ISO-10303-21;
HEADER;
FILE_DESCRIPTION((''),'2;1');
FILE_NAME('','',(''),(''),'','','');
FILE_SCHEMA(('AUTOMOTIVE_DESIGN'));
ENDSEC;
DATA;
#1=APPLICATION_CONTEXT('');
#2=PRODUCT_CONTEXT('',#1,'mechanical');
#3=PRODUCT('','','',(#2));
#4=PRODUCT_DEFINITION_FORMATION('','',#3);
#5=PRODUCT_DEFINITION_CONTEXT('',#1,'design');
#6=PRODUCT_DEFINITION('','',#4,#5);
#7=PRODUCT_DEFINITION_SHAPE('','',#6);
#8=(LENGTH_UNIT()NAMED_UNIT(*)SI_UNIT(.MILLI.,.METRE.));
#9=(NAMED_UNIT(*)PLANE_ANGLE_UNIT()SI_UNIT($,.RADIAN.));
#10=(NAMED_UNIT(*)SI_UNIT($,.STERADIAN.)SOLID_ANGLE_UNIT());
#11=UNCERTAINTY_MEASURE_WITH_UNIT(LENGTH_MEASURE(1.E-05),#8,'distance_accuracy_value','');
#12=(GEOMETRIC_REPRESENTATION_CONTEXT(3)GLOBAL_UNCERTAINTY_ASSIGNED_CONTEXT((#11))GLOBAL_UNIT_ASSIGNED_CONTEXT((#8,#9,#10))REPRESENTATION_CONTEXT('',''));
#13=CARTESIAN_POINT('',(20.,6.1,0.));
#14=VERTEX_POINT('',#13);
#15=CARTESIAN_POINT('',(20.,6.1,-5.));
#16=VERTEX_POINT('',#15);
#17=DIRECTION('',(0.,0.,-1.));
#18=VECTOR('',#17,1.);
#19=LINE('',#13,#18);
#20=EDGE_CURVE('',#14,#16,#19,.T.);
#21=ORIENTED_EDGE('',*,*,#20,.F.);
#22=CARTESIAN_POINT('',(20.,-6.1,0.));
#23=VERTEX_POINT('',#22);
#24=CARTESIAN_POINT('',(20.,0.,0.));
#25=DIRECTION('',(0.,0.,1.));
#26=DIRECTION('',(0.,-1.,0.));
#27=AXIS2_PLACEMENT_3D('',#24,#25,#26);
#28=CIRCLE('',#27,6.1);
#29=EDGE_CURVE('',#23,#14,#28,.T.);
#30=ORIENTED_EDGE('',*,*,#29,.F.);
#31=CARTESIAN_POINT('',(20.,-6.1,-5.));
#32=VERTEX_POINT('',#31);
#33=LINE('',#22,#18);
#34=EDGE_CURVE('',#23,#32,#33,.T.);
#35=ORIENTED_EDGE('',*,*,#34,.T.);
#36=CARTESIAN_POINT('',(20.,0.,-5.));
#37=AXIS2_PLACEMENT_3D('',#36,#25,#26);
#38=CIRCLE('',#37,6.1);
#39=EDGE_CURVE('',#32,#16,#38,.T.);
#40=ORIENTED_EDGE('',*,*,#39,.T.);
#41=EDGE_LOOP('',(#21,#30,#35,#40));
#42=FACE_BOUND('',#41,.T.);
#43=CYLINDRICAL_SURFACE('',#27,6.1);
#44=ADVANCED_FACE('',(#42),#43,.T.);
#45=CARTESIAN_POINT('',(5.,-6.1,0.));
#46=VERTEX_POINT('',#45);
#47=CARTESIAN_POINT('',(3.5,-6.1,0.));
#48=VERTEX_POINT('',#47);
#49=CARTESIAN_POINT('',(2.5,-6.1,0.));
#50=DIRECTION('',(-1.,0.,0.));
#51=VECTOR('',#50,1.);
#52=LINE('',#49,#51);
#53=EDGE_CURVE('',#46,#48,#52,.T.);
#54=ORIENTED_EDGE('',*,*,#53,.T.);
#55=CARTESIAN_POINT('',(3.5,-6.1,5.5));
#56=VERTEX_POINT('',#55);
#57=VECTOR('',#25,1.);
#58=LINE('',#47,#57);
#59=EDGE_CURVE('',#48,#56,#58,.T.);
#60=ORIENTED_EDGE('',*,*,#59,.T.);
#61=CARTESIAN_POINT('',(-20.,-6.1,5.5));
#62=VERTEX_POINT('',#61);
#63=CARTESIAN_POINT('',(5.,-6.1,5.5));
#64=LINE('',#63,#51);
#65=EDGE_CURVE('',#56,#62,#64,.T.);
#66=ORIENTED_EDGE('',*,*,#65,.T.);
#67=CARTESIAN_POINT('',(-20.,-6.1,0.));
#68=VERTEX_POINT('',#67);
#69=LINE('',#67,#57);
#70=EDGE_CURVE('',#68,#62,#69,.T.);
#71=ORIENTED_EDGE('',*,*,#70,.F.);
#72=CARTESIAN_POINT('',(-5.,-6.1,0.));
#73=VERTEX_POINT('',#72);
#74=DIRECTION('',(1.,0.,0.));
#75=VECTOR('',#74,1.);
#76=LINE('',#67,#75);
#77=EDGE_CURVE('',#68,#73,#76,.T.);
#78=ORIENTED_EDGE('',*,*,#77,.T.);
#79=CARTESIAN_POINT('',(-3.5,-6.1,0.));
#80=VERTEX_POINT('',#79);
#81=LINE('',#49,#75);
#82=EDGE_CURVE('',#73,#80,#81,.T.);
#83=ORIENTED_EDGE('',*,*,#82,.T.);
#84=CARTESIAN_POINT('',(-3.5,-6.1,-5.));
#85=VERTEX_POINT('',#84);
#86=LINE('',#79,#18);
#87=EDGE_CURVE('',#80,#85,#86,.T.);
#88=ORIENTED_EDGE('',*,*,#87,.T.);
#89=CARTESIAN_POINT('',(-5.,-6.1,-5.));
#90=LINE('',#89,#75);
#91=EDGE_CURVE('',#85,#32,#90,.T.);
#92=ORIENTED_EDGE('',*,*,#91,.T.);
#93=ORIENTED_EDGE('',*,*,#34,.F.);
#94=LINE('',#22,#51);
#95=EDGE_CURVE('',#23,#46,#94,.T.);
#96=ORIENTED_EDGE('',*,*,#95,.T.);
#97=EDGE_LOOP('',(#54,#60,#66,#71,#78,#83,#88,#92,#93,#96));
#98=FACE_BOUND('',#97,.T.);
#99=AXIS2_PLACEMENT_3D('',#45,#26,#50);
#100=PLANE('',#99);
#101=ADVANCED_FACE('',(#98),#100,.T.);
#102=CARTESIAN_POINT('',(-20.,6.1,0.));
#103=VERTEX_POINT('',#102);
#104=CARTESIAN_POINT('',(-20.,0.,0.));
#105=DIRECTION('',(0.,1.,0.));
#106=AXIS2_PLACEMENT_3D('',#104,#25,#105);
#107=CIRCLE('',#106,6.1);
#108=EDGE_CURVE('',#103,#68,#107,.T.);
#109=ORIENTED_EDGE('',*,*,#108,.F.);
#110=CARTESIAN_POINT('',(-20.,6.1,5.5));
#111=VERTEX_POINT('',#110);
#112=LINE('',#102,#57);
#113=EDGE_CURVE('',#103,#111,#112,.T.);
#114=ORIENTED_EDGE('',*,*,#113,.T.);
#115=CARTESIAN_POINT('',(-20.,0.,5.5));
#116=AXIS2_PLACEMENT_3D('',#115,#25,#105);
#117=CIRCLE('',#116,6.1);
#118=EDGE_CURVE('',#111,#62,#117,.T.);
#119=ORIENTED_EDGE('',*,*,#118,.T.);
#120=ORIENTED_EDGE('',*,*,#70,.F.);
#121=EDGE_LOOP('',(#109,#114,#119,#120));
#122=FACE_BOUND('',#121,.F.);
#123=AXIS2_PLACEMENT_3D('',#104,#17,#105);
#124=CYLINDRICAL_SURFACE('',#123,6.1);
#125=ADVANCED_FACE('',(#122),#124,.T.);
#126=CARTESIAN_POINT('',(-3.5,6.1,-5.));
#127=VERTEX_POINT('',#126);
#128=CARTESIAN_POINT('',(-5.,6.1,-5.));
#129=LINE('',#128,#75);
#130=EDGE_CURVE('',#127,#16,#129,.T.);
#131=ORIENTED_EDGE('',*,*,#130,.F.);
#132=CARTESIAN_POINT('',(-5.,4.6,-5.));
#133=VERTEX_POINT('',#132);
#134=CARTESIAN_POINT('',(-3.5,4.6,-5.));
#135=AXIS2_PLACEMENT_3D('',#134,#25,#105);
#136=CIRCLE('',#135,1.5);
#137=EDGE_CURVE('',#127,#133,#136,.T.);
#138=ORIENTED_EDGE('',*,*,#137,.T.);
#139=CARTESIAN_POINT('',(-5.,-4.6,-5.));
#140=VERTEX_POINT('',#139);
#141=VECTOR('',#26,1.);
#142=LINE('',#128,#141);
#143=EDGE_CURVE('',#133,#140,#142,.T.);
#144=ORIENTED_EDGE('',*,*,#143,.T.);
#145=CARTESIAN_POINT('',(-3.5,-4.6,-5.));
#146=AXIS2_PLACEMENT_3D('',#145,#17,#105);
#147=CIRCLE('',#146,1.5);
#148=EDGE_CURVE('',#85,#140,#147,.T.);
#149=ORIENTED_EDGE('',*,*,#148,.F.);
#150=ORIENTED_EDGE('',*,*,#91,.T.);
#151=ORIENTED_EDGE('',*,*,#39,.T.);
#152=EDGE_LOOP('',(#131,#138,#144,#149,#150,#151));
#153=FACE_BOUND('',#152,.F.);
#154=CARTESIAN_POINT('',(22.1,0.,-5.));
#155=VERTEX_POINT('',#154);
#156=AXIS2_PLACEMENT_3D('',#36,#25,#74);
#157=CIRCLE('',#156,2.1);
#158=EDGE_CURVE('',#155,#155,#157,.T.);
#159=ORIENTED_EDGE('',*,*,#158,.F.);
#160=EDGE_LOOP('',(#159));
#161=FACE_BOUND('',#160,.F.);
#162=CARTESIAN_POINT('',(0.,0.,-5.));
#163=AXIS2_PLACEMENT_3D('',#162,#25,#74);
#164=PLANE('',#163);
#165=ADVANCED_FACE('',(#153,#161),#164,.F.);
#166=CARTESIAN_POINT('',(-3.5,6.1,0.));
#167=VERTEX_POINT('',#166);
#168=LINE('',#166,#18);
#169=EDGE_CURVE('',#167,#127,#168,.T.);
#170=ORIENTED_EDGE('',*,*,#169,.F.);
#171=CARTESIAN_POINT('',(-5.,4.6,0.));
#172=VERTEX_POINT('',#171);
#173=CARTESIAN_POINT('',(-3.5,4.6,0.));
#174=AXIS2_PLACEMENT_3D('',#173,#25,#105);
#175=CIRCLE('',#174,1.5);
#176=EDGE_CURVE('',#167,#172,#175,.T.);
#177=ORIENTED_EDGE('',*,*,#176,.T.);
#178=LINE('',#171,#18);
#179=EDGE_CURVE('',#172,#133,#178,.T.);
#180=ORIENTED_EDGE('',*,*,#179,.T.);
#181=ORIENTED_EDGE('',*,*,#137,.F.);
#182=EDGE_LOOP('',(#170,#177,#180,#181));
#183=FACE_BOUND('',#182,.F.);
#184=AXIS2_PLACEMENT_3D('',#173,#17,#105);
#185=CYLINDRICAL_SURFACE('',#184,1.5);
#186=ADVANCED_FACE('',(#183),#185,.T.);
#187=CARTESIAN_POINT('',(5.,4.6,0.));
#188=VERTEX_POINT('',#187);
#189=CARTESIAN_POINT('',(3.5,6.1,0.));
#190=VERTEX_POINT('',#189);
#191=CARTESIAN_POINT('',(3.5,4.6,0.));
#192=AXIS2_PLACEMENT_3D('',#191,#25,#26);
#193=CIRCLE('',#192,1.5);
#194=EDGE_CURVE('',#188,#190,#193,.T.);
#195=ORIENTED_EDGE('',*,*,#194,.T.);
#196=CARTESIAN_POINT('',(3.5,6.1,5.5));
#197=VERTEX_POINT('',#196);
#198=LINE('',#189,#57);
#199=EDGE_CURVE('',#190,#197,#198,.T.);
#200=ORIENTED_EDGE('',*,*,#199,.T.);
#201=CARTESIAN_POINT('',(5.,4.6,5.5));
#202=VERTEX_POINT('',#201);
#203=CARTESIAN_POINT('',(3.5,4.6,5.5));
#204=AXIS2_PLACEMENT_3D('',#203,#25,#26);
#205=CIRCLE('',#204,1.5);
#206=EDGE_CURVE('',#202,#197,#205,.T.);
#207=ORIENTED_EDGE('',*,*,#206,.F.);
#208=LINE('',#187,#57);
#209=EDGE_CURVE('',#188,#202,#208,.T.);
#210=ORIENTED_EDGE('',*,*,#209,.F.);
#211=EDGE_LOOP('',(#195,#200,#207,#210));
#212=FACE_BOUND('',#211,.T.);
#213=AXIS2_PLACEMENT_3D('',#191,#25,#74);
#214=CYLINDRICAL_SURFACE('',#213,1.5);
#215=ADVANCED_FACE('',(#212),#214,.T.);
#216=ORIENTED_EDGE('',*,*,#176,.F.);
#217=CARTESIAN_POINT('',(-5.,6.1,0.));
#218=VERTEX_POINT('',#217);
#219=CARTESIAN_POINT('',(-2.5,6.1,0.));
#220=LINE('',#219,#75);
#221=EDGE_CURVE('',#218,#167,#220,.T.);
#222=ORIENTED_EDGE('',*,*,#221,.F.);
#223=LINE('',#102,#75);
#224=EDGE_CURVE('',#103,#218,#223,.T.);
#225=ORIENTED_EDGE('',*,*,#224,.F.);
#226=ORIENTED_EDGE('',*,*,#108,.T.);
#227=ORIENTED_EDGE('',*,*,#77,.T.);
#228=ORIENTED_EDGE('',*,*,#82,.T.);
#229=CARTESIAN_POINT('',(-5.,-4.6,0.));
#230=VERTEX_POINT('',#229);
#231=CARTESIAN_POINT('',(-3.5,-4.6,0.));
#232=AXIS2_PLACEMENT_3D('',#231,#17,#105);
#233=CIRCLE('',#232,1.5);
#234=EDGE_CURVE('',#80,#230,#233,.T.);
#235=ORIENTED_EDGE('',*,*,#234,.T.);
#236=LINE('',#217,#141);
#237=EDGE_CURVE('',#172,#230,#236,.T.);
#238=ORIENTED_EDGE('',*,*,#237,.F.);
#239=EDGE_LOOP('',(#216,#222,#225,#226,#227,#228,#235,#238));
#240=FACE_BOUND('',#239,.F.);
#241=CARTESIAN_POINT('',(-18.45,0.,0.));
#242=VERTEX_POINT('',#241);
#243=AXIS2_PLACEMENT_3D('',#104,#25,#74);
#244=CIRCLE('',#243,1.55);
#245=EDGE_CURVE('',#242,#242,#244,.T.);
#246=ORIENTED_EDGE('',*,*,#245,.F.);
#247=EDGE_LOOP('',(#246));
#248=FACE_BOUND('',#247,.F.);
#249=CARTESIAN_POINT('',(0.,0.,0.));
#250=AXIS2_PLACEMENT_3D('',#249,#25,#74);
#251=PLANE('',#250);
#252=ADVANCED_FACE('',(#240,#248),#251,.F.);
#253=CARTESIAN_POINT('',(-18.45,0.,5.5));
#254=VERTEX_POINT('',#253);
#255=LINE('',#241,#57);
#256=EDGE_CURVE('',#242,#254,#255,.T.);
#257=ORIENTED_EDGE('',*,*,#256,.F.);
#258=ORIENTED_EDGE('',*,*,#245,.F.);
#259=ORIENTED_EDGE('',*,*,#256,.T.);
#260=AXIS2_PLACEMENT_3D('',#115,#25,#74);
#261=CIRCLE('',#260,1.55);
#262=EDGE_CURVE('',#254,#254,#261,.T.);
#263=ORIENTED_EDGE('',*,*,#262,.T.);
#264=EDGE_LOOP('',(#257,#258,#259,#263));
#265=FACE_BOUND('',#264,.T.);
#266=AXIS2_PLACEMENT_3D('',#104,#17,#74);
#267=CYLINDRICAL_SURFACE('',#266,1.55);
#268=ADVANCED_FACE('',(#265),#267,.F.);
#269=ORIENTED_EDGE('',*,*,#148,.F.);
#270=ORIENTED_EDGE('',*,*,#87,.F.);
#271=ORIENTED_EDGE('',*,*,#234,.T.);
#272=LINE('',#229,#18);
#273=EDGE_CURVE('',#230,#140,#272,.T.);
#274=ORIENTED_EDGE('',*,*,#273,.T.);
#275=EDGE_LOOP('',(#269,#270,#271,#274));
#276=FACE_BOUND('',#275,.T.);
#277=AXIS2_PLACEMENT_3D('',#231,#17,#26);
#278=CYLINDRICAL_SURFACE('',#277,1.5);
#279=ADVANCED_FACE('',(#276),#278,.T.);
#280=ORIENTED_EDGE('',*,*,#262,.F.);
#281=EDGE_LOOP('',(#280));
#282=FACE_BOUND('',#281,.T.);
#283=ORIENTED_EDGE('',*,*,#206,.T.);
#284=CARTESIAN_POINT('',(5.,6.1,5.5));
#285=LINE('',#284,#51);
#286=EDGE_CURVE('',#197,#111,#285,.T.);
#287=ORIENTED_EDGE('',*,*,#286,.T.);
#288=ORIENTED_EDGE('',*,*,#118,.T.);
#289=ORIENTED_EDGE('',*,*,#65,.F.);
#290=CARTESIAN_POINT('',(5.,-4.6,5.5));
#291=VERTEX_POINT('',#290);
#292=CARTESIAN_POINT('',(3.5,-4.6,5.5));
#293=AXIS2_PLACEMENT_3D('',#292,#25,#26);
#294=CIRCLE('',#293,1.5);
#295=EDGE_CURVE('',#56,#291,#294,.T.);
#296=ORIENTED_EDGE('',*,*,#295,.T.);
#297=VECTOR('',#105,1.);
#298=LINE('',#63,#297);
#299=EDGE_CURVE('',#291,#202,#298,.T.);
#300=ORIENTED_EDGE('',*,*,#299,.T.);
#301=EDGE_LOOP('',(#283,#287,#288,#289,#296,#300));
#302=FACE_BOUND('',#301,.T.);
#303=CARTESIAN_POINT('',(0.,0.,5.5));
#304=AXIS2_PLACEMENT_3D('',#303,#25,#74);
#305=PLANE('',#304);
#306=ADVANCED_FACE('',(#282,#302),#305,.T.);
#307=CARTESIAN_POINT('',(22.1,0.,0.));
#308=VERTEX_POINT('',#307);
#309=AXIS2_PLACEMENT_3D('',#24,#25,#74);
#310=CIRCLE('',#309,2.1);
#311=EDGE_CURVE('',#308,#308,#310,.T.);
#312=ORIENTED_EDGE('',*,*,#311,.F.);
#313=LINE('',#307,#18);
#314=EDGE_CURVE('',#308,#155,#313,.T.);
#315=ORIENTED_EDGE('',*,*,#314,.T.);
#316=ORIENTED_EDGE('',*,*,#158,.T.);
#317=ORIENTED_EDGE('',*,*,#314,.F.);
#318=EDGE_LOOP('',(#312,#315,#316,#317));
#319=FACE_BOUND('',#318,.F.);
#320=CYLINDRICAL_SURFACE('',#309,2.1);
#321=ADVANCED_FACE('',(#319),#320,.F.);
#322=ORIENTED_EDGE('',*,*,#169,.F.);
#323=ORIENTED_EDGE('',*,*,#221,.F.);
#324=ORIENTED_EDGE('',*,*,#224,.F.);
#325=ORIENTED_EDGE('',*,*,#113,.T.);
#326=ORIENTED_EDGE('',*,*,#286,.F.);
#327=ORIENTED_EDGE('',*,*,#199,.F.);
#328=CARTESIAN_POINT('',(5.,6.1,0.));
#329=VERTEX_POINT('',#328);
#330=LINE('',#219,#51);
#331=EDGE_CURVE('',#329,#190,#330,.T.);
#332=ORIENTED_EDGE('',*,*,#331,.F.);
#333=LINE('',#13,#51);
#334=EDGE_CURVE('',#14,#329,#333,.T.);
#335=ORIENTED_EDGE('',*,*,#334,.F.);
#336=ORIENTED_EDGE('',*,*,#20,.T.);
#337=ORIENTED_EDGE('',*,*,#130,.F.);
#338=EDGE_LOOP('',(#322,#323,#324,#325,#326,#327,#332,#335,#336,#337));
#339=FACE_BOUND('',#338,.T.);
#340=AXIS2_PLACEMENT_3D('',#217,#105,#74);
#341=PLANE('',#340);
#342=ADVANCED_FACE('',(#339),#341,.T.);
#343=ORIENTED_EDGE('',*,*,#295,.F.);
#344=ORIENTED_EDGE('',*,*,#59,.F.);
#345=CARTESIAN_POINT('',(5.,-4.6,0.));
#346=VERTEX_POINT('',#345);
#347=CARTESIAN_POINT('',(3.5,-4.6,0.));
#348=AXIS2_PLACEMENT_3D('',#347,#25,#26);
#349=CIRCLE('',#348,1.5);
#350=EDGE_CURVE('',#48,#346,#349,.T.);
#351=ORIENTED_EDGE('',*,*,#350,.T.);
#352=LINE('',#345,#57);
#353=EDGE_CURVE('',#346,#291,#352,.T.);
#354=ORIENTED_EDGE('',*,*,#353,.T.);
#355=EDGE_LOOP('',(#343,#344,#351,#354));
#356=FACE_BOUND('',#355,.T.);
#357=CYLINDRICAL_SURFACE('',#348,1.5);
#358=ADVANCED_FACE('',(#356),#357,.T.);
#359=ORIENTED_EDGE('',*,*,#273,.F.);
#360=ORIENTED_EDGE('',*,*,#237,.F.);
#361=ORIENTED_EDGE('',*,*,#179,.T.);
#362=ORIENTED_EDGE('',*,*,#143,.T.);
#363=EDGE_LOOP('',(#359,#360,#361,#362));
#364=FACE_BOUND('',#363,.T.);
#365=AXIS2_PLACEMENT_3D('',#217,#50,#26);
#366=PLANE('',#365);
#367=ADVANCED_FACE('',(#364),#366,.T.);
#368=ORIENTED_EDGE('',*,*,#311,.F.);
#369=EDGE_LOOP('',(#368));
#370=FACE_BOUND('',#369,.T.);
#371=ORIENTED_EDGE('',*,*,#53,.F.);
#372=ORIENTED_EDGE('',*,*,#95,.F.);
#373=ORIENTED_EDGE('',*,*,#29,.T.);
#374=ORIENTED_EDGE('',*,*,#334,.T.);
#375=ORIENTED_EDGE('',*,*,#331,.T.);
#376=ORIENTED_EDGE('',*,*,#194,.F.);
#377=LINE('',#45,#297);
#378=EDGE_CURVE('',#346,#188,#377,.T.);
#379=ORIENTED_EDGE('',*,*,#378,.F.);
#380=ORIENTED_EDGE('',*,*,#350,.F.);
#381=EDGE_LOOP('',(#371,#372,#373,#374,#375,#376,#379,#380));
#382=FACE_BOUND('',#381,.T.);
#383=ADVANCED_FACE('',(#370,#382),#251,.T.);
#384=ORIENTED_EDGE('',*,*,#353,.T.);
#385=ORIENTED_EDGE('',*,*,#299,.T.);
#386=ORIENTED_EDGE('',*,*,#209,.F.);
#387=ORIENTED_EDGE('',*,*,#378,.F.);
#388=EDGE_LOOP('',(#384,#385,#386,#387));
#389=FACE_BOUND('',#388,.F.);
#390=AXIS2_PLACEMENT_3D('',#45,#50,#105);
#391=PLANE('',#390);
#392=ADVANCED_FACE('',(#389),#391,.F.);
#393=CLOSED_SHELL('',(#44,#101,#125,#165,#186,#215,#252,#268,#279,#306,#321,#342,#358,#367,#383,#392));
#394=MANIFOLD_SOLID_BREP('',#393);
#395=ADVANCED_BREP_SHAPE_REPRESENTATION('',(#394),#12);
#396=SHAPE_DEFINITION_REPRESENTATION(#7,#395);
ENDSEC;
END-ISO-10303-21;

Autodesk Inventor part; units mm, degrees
ref_plane "YZ Plane" through (0, 0, 0) normal (1, 0, 0) x (0, 1, 0)
ref_plane "XZ Plane" through (0, 0, 0) normal (0, 1, 0) x (-1, 0, 0)
ref_plane "XY Plane" through (0, 0, 0) normal (0, 0, 1) x (1, 0, 0)
sketch "Esquisse1" plane through (0, 0, 0) normal (0, 0, 1) x (1, 0, 0)
  line L0 (20, 0) -> (-20, 0) construction
  line L1 (20, -6.1) -> (-20, -6.1)
  line L2 (-20, 6.1) -> (20, 6.1)
  arc A0 (20, -6.1) -> (20, 6.1) centre (20, 0) ccw
  arc A1 (-20, 6.1) -> (-20, -6.1) centre (-20, 0) ccw
  circle A2 centre (-20, 0) radius 1.55
  circle A3 centre (20, 0) radius 2.1
  line L3 (-5, -6.1) -> (5, -6.1)
  line L4 (5, -6.1) -> (5, 6.1)
  line L5 (5, 6.1) -> (-5, 6.1)
  line L6 (-5, 6.1) -> (-5, -6.1)
  line L7 (-5, -6.1) -> (5, 6.1) construction
  line L8 (5, -6.1) -> (-5, 6.1) construction
  point P0 (0, 0)
  dimension "d0" = 40
  dimension "d1" = 3.1
  dimension "d5" = 4.2
  dimension "d6" = 4
  dimension "d12" = 10
extrude "Extrusion1" add sketch "Esquisse1" along normal blind 5.5 contours L1 L6 L2 L4 | L1 A1 L2 L6
extrude "Extrusion4" add sketch "Esquisse1" against normal blind 5 contours L1 L4 L2 A0 | L1 L6 L2 L4
fillet "Congé1" radius 1.5 4 edges at (-5, 6.1, -2.5) (-5, -6.1, -2.5) (5, -6.1, 2.75) (5, 6.1, 2.75)
properties part number "Biellette support-doigts"
